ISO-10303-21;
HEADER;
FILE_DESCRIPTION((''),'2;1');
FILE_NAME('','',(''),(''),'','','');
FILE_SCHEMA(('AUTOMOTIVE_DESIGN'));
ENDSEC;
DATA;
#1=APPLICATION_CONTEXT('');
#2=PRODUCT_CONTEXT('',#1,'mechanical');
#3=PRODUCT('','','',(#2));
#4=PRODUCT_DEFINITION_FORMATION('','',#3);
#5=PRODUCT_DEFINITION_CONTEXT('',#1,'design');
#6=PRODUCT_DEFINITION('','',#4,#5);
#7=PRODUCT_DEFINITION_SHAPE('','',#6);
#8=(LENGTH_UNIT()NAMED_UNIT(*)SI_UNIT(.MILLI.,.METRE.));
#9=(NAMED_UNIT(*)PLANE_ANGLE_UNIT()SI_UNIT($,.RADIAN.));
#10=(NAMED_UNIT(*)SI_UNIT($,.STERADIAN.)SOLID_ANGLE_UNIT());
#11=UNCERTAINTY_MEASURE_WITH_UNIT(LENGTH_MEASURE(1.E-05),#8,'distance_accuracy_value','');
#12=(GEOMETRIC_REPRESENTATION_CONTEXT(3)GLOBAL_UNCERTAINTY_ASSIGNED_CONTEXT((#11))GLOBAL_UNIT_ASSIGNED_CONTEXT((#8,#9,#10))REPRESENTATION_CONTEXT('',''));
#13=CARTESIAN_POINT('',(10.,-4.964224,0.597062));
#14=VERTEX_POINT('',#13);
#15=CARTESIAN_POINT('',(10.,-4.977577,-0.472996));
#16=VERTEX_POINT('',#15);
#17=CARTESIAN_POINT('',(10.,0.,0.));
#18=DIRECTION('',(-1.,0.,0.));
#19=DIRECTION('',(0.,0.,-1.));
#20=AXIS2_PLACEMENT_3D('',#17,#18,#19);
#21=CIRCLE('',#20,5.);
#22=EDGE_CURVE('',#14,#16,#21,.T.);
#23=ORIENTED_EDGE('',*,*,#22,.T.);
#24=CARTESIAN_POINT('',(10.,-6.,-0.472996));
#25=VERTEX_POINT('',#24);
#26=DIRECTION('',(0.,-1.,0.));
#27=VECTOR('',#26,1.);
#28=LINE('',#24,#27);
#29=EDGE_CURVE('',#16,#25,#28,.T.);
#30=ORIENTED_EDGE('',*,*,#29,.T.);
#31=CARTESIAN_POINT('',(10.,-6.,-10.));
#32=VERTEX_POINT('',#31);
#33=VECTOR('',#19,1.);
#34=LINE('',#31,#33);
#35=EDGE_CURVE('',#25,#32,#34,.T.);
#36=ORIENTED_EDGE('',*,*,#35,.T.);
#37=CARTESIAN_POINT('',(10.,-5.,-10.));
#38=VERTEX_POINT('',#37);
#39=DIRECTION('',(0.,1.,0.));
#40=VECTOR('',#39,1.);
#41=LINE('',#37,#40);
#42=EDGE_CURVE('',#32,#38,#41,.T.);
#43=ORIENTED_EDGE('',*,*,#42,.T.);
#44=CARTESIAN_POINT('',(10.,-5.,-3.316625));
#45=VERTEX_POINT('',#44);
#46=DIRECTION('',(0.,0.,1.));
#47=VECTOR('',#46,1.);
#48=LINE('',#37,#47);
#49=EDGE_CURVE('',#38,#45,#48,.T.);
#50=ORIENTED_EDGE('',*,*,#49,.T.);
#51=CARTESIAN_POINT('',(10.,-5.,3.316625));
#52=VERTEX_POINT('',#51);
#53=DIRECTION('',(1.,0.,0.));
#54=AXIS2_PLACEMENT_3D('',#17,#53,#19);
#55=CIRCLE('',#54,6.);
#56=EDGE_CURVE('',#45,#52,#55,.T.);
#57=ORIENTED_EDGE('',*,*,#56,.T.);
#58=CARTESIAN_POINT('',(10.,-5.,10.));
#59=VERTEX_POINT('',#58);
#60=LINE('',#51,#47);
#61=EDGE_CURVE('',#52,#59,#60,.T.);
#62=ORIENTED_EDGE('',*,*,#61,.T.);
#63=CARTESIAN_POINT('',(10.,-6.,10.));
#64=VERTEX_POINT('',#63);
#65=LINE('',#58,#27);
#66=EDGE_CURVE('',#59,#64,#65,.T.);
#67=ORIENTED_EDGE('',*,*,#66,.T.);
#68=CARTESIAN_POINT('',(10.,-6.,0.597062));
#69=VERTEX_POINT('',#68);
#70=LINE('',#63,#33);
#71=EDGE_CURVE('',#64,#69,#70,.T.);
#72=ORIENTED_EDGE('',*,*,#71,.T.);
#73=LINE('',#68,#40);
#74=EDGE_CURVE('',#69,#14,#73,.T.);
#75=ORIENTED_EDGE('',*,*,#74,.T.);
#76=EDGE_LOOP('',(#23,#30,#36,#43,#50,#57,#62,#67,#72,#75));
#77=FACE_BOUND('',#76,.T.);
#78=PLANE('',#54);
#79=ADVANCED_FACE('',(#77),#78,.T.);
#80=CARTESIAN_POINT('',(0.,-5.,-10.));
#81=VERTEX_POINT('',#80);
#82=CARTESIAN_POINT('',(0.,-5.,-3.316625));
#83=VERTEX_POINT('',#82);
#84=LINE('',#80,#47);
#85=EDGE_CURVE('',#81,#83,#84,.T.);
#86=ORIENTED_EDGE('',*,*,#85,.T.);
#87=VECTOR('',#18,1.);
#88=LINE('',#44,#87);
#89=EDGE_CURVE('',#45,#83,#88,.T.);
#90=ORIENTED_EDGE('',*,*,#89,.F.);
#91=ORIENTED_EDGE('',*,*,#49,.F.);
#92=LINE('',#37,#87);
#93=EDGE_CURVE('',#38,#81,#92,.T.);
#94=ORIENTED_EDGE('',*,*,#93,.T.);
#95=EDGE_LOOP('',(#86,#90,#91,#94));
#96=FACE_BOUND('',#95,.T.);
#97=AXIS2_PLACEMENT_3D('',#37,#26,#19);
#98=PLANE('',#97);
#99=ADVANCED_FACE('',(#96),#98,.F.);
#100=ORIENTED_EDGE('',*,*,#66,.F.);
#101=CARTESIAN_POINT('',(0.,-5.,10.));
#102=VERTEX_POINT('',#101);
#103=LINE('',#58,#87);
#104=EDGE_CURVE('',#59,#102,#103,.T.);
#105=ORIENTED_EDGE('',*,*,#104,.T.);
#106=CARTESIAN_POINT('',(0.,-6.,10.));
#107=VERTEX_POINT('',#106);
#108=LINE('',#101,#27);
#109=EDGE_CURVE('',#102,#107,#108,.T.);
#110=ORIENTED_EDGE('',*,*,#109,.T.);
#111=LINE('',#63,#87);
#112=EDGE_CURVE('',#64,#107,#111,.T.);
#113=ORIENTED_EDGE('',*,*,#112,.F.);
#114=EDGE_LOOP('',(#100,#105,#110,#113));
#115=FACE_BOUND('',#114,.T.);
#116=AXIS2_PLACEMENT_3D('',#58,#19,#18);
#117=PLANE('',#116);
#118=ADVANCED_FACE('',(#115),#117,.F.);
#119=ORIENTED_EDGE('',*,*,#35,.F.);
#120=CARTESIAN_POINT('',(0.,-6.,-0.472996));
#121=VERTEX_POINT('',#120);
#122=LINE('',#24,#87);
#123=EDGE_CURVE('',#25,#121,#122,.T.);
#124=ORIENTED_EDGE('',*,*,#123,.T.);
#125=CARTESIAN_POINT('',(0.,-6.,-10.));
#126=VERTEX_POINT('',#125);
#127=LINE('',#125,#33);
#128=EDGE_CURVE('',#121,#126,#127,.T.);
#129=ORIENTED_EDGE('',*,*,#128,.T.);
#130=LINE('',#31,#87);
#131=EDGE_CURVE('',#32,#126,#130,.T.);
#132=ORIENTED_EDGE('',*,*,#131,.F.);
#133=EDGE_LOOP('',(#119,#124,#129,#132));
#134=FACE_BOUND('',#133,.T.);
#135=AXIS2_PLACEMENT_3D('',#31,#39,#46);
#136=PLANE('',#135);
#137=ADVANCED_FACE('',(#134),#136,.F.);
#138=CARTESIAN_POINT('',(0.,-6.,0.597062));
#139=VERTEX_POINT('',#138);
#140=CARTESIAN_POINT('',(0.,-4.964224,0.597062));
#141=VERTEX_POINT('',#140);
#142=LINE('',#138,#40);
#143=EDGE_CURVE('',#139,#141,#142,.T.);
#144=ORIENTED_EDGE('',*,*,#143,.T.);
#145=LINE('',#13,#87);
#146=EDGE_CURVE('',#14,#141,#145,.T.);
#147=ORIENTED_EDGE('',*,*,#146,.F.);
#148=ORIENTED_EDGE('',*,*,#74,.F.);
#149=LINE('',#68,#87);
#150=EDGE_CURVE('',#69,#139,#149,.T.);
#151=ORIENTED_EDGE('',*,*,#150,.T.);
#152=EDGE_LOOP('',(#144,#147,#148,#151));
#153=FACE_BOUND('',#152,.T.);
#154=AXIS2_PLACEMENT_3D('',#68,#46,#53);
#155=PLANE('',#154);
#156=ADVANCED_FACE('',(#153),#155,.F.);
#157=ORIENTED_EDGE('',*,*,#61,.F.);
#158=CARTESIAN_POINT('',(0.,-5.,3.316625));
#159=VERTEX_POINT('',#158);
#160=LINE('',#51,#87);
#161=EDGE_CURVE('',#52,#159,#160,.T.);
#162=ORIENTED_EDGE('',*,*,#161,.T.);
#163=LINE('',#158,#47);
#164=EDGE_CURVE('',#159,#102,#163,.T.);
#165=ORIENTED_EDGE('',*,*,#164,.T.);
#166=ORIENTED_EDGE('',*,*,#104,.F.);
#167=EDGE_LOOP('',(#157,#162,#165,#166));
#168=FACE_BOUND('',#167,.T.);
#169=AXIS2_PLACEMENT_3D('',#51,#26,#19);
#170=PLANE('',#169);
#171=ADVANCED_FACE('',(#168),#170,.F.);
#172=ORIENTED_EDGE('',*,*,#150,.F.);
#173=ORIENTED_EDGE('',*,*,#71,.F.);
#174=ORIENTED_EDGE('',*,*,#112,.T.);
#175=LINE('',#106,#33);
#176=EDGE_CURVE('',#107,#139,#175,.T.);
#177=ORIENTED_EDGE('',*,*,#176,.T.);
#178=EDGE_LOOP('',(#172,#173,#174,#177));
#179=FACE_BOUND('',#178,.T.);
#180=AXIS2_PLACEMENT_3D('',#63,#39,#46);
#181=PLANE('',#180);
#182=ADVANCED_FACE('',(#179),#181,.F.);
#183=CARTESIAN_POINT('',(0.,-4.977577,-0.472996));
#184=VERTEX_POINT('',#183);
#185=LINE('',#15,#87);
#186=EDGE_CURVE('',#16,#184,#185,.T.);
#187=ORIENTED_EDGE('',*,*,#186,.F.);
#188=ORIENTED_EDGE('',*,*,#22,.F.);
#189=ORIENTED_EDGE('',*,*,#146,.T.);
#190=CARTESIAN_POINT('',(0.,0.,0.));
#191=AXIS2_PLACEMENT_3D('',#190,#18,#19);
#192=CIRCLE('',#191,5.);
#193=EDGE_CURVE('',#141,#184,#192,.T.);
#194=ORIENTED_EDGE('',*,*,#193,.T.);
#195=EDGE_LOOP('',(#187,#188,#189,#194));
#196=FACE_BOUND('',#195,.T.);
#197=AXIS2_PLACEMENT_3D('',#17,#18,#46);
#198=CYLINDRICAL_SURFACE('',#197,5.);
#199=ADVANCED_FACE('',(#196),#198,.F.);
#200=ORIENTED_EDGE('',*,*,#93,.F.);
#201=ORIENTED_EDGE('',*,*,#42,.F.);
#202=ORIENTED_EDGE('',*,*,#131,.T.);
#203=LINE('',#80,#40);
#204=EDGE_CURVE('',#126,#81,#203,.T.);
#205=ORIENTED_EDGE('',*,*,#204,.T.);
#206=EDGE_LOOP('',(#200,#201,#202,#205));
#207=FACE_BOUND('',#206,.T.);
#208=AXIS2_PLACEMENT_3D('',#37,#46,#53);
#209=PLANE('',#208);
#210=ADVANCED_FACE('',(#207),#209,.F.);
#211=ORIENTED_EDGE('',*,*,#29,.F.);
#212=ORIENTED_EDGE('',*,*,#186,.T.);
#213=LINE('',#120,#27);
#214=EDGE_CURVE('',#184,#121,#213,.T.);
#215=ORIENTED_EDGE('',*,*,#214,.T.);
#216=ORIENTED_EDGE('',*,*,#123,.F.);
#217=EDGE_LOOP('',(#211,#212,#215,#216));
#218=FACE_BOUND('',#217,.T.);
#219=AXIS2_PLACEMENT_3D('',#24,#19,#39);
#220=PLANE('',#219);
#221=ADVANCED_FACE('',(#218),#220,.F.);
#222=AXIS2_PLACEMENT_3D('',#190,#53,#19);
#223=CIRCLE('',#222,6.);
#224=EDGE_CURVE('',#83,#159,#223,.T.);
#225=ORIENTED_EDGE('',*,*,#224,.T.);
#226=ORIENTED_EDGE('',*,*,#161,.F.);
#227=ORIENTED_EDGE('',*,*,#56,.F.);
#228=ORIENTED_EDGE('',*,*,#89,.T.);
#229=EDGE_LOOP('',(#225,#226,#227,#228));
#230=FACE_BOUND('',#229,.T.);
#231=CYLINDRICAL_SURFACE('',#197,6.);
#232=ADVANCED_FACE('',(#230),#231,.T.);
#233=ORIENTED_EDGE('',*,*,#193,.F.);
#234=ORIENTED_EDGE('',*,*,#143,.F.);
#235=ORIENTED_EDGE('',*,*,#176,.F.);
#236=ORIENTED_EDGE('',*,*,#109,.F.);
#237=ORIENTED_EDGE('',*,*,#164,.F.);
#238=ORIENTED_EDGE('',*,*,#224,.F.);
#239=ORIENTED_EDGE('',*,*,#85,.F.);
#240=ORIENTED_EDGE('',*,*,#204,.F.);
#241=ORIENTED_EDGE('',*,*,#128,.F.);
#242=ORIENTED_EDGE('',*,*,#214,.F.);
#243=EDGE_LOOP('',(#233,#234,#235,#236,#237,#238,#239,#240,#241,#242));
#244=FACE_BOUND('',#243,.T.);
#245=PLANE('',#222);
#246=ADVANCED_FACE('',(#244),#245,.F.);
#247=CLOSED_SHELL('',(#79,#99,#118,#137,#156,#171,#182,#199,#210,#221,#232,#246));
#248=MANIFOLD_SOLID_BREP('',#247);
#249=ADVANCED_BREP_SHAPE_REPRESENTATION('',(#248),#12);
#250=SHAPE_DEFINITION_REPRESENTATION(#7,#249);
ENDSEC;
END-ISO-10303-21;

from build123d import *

# Parameters (mm, degrees)
BOSS_EXTRUDE1_DEPTH = 10


with BuildPart() as part:
    # Sketch1 → Boss-Extrude1 (new body)
    with BuildSketch(Plane(origin=(0, 0, 0), x_dir=(0, 0, -1), z_dir=(1, 0, 0))):
        with BuildLine():
            Line((10, -5), (3.31662479, -5))
            ThreePointArc((3.31662479, -5), (0, 6), (-3.31662479, -5))
            Line((-3.31662479, -5), (-10, -5))
            Line((-10, -5), (-10, -6))
            Line((-10, -6), (-0.597061761, -6))
            Line((-0.597061761, -6), (-0.597061761, -4.964223731))
            ThreePointArc((-0.597061761, -4.964223731), (0.062391283, 4.999610718), (0.472995759, -4.977577223))
            Line((0.472995759, -4.977577223), (0.472995759, -6))
            Line((0.472995759, -6), (10, -6))
            Line((10, -6), (10, -5))
        make_face()
    extrude(amount=BOSS_EXTRUDE1_DEPTH)


solid = part.part
